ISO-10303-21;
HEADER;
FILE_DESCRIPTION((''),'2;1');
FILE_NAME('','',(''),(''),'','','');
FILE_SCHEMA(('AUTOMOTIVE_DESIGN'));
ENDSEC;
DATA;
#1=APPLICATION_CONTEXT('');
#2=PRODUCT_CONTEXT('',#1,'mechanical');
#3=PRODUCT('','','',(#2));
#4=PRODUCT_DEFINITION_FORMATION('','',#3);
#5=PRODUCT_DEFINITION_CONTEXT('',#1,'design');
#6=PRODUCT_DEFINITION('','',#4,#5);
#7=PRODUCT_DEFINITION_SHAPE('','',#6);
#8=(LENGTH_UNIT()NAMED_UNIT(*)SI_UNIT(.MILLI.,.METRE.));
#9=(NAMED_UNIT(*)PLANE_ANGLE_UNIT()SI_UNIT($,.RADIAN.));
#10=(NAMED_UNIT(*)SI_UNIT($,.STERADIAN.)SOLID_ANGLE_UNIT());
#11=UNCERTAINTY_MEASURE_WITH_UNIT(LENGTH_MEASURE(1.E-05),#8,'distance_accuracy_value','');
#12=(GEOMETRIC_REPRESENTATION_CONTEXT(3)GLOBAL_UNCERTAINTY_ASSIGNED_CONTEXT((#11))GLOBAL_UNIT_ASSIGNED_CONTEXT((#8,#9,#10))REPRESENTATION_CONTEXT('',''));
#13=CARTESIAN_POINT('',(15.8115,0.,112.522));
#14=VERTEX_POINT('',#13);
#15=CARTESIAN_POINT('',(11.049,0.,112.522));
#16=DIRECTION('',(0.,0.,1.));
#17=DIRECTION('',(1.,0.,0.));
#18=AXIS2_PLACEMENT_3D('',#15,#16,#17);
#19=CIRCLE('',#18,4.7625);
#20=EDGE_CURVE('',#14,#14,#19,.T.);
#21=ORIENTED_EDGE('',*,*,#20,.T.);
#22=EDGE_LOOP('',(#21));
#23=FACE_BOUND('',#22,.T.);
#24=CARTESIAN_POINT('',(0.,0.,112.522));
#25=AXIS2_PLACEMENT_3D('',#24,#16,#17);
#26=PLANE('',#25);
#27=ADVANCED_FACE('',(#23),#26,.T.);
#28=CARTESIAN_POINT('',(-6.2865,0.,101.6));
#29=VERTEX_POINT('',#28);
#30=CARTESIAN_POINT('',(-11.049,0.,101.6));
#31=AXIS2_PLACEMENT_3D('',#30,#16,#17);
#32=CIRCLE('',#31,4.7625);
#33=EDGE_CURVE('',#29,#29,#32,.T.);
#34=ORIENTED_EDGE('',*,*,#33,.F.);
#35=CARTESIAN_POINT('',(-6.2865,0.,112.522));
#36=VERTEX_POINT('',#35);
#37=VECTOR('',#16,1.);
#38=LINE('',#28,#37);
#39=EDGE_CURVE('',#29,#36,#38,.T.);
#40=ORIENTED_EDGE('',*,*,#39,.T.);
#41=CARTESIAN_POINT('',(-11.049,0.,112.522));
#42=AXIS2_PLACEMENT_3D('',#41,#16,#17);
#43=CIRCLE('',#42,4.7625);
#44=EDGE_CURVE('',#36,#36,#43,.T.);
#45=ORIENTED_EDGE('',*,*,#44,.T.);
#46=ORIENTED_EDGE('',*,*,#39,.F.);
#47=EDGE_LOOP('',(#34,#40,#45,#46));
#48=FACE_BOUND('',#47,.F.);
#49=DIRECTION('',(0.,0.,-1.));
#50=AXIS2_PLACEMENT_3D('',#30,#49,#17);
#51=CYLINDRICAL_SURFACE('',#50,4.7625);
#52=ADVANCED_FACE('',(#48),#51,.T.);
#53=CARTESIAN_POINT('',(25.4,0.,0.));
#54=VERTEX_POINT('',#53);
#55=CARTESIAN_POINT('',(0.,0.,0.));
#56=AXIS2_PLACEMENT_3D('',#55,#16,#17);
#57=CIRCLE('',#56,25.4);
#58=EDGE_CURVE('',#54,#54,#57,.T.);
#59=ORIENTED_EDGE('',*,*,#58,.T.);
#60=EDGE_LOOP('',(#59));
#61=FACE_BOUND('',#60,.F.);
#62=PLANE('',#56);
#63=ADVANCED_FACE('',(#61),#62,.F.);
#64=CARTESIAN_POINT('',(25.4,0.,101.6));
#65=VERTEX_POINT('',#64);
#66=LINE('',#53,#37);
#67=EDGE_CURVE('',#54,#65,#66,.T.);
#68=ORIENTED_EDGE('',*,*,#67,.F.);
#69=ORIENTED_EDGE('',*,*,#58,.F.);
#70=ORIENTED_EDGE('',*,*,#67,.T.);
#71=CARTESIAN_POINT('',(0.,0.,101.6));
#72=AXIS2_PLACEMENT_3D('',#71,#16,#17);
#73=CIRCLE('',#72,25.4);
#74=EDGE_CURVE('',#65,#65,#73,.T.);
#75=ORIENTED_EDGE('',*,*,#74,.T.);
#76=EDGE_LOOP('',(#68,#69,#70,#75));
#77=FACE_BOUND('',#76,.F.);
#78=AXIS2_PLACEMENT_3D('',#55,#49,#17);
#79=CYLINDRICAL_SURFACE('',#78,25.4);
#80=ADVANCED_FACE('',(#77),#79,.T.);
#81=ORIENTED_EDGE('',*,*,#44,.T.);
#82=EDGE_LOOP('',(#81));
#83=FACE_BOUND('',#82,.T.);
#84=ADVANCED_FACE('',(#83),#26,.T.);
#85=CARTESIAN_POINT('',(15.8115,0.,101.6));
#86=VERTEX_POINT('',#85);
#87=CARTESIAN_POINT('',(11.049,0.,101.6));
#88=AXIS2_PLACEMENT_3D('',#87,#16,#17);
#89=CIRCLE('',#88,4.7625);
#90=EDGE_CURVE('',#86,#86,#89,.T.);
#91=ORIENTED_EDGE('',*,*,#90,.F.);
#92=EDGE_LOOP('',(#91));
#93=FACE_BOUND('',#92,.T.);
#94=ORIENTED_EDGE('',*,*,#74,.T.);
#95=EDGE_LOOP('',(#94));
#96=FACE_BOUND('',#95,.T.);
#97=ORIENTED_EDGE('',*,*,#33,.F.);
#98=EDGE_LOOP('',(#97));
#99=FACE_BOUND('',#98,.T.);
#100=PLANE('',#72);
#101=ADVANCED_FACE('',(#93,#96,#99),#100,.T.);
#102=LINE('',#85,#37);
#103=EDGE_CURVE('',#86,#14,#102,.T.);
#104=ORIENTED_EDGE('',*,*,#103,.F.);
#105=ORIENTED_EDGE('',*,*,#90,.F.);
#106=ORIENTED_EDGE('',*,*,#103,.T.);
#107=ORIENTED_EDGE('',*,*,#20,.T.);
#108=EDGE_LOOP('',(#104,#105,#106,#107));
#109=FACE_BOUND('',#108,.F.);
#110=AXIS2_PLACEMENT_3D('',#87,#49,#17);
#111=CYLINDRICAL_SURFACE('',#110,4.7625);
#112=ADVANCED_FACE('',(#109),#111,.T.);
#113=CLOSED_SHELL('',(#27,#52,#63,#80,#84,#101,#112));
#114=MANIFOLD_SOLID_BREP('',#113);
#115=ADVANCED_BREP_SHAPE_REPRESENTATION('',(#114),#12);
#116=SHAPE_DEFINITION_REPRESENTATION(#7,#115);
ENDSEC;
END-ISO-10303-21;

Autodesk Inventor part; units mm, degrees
ref_plane "YZ Plane" through (0, 0, 0) normal (1, 0, 0) x (0, 1, 0)
ref_plane "XZ Plane" through (0, 0, 0) normal (0, 1, 0) x (-1, 0, 0)
ref_plane "XY Plane" through (0, 0, 0) normal (0, 0, 1) x (1, 0, 0)
sketch "Sketch1" plane through (0, 0, 0) normal (0, 0, 1) x (1, 0, 0)
  circle A0 centre (0, 0) radius 25.4
  dimension "d0" = 50.8
extrude "Can" add sketch "Sketch1" along normal blind 101.6
sketch "Sketch2" plane through (0, 0, 101.6) normal (0, 0, 1) x (1, 0, 0)
  circle A0 centre (0, 0) radius 25.4 projected
  circle A1 centre (-11.049, 0) radius 4.7625
  circle A2 centre (11.049, 0) radius 4.7625
  dimension "d3" = 9.525
  dimension "d4" = 22.098
  dimension "d5" = 11.049
extrude "Studs" add sketch "Sketch2" along normal blind 10.922 contours A1 | A2
thread "Stud 1" size "3/8-16 UNC" class "2A" standard "ANSI Unified Screw Threads" full length
thread "Stud 2" size "3/8-16 UNC" class "2A" standard "ANSI Unified Screw Threads" full length
equation "\"d5\" = 0.5 * d4"
properties part number "Cap"
